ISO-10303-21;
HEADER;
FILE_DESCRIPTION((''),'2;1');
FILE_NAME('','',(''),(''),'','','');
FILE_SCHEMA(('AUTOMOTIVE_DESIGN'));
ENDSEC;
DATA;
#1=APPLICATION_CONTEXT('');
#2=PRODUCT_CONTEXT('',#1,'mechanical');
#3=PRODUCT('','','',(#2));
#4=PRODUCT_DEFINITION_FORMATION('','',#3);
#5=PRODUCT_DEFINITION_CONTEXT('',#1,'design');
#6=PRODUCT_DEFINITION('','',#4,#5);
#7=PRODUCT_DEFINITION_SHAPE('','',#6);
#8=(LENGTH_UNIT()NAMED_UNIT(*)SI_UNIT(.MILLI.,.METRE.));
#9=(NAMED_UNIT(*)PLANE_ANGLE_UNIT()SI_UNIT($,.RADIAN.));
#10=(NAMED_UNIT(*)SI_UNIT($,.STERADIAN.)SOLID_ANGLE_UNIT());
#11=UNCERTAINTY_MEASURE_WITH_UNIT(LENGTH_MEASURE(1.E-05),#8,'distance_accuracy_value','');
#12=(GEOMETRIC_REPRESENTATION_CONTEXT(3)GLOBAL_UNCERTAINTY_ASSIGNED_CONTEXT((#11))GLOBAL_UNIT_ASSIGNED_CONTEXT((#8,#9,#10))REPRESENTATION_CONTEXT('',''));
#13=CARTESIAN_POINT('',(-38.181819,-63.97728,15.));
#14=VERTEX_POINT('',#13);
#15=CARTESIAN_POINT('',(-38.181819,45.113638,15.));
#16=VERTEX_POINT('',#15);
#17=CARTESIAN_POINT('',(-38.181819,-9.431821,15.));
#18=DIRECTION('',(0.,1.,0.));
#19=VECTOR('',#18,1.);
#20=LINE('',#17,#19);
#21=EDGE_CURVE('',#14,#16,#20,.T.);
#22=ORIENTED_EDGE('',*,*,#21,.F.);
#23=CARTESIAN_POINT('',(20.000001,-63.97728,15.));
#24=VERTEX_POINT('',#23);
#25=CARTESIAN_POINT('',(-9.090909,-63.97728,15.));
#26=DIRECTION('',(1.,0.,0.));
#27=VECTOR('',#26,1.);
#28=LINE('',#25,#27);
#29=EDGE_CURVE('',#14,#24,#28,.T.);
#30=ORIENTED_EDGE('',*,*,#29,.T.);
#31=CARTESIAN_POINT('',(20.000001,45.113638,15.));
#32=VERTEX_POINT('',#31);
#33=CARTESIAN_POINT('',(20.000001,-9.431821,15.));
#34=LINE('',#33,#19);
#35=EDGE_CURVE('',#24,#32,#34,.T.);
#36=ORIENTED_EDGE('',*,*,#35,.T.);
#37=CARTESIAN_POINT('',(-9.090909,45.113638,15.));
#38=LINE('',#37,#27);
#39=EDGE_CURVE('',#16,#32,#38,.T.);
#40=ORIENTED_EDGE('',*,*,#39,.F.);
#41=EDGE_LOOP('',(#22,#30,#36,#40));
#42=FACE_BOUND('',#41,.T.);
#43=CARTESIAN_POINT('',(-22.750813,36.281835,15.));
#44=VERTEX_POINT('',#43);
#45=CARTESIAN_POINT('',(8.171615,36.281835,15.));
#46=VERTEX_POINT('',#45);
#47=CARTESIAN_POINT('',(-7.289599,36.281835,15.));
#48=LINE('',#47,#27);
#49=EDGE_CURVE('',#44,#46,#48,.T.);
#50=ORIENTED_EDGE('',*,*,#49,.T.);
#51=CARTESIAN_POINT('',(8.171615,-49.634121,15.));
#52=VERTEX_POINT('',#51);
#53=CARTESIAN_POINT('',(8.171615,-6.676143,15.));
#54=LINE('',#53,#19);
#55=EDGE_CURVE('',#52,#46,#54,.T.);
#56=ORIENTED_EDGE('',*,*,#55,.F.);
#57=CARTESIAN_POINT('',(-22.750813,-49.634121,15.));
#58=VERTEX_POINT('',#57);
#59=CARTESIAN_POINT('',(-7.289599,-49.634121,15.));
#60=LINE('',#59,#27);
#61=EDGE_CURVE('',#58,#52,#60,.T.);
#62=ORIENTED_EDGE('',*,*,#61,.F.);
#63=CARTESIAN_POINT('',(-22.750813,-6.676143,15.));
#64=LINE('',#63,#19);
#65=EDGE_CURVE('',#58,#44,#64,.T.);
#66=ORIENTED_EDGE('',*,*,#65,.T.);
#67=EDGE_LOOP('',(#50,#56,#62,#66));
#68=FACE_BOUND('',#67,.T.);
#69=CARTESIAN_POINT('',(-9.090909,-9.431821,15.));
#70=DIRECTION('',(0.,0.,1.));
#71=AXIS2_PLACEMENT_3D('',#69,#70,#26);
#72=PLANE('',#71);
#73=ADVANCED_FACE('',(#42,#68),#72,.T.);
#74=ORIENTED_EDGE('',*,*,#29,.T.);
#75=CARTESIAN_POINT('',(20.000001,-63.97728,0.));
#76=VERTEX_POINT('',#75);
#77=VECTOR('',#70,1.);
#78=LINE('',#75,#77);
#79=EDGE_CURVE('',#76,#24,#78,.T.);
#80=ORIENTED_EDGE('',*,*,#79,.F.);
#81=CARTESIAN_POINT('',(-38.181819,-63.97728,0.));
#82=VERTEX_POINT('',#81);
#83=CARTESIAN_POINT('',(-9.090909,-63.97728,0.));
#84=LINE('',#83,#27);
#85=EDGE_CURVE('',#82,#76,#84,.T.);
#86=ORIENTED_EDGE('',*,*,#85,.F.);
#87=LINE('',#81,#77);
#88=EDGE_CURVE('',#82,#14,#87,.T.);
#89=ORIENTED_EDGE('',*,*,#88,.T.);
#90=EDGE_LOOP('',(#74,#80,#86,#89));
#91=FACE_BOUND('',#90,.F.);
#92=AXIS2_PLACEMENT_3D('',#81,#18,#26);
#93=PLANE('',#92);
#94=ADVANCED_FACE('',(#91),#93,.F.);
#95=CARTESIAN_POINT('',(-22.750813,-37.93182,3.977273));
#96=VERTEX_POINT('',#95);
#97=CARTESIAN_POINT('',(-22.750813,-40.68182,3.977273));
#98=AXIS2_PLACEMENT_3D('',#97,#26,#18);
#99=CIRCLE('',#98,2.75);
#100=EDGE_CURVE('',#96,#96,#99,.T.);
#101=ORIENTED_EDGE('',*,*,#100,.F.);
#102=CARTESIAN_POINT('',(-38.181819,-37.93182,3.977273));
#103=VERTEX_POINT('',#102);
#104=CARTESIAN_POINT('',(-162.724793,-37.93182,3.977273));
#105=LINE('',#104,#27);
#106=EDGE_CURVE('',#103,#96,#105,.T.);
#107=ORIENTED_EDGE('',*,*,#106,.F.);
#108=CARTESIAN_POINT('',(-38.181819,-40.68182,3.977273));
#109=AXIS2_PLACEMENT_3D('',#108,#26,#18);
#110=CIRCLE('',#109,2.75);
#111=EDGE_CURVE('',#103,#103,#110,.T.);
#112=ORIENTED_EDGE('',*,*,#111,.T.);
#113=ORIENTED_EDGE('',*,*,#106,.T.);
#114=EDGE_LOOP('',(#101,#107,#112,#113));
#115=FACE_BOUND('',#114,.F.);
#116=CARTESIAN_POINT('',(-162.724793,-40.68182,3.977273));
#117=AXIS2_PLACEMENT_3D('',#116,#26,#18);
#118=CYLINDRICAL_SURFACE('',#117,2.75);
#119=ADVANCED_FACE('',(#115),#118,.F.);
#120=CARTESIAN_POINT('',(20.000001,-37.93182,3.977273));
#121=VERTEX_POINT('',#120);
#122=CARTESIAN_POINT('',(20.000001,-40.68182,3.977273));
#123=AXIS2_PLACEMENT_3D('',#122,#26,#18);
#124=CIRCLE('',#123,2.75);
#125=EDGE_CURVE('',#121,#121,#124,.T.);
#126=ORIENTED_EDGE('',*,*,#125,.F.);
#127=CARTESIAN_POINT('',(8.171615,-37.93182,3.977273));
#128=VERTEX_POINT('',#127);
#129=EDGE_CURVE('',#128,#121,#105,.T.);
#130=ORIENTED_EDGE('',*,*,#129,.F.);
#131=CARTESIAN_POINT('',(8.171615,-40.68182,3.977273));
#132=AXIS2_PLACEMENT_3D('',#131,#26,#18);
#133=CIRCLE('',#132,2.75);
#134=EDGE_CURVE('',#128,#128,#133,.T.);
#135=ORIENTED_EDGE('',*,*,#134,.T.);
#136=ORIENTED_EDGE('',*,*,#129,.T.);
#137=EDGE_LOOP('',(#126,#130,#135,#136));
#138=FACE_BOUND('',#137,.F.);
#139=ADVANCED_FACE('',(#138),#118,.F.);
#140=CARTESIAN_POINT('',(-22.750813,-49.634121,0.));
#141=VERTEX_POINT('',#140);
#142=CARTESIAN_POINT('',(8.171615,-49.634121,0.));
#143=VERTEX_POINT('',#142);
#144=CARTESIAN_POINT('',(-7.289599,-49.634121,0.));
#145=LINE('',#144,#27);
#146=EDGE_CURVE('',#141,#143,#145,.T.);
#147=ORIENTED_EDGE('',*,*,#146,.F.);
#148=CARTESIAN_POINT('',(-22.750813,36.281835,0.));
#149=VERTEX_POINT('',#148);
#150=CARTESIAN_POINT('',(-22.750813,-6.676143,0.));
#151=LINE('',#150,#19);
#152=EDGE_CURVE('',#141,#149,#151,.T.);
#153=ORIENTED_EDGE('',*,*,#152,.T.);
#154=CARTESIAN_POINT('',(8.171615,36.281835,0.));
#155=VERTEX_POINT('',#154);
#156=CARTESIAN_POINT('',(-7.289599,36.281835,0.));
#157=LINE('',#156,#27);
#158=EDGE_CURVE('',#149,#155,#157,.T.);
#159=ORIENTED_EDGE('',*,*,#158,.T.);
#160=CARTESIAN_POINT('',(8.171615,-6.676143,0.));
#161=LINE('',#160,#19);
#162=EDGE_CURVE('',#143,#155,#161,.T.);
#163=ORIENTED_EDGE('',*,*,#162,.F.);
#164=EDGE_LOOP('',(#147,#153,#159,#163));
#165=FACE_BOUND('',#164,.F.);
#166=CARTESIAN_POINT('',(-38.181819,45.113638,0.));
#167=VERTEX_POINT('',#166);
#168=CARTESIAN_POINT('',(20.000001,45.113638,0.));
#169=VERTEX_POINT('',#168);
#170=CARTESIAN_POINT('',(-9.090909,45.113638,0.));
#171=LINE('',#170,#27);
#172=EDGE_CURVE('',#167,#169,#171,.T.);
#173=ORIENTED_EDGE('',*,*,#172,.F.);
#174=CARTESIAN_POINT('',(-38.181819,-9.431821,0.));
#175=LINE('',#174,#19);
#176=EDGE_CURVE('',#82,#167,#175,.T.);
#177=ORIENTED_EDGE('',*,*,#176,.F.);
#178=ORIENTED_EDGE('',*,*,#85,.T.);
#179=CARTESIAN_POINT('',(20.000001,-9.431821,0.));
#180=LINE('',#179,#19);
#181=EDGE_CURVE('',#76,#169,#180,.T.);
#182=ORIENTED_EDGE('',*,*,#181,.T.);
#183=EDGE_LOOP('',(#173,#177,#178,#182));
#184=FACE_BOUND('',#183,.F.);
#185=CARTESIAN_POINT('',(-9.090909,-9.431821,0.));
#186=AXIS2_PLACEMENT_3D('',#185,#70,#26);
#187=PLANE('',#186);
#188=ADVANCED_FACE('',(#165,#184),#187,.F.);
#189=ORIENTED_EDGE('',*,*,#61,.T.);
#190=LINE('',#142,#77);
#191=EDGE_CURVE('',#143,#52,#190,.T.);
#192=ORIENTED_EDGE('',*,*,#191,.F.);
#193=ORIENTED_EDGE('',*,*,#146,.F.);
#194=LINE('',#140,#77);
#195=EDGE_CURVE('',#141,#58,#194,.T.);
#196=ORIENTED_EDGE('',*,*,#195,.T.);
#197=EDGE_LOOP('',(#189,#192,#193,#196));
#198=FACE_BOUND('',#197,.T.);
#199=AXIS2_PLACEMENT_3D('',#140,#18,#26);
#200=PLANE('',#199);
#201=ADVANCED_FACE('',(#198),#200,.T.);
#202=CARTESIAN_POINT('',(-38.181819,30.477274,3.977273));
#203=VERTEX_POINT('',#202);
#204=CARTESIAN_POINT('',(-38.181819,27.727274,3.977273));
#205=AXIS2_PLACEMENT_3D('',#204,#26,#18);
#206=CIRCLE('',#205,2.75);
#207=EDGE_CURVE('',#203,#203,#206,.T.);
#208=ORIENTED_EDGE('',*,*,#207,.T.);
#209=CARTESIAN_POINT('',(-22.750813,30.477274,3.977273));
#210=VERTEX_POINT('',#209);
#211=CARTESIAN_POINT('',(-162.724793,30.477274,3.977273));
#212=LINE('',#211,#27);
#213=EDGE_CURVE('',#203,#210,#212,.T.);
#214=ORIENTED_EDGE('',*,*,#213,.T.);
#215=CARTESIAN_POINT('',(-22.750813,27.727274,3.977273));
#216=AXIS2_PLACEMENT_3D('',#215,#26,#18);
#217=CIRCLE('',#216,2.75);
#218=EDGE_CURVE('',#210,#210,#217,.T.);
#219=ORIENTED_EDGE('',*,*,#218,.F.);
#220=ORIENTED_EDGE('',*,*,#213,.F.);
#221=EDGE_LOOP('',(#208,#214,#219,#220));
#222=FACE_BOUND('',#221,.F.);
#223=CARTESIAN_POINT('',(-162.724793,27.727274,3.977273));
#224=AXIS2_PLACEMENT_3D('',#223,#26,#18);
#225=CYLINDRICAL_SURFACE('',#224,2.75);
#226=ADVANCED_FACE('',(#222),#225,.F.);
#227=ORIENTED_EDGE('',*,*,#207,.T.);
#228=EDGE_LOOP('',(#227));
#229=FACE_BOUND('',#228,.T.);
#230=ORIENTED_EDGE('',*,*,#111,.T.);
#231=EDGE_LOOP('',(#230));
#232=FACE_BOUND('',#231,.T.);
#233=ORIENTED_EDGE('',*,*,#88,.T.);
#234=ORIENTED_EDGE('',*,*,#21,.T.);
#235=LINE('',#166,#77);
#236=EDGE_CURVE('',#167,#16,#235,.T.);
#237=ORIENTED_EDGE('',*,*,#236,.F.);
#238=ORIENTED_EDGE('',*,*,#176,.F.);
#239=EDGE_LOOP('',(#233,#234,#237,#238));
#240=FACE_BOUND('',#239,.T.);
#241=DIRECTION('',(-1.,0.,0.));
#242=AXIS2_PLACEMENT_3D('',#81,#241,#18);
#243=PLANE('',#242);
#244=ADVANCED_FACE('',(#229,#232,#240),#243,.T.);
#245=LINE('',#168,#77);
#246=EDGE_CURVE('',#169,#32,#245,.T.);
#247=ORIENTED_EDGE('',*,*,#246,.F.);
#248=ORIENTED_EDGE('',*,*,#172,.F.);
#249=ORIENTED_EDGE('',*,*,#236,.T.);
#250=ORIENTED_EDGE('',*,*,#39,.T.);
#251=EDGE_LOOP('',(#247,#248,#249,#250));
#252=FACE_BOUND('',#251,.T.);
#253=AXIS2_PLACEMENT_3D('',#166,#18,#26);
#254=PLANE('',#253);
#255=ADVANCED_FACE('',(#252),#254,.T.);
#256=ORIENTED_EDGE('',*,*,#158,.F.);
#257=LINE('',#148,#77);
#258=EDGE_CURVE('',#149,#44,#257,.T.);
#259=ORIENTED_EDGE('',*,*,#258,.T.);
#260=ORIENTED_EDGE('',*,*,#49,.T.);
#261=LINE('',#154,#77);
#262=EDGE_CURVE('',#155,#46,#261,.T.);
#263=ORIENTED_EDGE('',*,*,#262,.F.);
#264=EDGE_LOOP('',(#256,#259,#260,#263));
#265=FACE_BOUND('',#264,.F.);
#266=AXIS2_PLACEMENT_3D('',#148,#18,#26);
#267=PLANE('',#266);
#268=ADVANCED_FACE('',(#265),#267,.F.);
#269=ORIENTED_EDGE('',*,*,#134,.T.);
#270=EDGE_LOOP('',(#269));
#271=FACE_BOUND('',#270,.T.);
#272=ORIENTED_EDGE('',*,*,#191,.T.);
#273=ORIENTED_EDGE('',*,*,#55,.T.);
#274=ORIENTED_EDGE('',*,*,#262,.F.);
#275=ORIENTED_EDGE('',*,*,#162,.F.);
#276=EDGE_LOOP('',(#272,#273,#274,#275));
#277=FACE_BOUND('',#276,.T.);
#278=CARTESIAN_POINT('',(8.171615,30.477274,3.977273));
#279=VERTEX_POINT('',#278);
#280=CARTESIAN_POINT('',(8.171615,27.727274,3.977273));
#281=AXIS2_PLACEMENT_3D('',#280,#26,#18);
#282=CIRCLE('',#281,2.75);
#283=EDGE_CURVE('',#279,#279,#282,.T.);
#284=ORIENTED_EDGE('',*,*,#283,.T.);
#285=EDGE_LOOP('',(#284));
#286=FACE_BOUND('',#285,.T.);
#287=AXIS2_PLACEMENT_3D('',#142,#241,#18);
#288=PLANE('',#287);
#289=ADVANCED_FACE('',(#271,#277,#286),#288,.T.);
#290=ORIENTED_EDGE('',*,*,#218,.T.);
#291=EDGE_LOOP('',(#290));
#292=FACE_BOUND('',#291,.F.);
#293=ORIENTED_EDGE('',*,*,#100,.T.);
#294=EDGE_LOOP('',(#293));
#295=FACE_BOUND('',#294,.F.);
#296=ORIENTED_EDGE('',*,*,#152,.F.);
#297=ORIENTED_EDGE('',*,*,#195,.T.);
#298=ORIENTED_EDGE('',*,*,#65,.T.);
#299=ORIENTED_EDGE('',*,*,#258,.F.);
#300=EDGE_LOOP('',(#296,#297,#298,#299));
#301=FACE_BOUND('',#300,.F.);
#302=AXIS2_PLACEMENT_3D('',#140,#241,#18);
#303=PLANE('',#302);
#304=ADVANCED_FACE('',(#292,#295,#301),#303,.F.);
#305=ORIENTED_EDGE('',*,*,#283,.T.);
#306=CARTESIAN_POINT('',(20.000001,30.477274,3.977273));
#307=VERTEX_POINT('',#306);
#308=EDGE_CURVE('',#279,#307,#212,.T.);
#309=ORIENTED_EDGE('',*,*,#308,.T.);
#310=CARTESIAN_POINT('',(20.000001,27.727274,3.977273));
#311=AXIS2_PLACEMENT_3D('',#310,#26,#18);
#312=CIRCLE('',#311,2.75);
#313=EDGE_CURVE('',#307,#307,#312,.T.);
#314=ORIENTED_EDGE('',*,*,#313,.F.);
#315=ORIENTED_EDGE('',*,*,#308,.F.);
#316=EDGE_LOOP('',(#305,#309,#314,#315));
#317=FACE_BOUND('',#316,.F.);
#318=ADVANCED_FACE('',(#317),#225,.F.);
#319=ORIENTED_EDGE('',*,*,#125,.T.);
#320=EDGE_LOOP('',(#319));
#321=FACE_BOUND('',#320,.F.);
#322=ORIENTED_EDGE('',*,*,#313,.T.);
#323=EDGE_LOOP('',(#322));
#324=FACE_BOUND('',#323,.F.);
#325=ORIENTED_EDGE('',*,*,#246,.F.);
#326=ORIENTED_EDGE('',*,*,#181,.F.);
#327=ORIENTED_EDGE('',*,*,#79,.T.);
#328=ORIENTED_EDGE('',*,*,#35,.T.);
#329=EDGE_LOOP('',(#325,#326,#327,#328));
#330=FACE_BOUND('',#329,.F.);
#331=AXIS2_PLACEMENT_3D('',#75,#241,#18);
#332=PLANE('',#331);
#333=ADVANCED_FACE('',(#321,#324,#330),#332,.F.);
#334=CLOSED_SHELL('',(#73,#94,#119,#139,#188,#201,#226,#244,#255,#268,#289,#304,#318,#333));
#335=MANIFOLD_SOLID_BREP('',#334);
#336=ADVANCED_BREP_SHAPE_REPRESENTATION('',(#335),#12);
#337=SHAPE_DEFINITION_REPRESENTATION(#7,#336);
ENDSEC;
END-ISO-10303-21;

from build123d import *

# Parameters (mm, degrees)
F0_W     = 58.18182
F0_H     = 109.090917
F0_W_2   = 30.922429
F0_H_2   = 85.915956
F1_DEPTH = 15
F3_D     = 5.5


with BuildPart() as f1:
    # F0 (on Top) → F1 (new body)
    with BuildSketch(Plane.XY):
        with Locations((-9.090909, -9.431821)):
            Rectangle(F0_W, F0_H)
        with Locations((-7.289599, -6.676143)):
            Rectangle(F0_W_2, F0_H_2, mode=Mode.SUBTRACT)
    extrude(amount=F1_DEPTH)

    # F3 (through all)
    with Locations(Plane(origin=(-38.181819, 0, 0), x_dir=(0, -1, 0), z_dir=(-1, 0, 0))):
        with Locations((-27.727274, 3.977273), (40.68182, 3.977273)):
            Hole(F3_D / 2)


solid = f1.part
